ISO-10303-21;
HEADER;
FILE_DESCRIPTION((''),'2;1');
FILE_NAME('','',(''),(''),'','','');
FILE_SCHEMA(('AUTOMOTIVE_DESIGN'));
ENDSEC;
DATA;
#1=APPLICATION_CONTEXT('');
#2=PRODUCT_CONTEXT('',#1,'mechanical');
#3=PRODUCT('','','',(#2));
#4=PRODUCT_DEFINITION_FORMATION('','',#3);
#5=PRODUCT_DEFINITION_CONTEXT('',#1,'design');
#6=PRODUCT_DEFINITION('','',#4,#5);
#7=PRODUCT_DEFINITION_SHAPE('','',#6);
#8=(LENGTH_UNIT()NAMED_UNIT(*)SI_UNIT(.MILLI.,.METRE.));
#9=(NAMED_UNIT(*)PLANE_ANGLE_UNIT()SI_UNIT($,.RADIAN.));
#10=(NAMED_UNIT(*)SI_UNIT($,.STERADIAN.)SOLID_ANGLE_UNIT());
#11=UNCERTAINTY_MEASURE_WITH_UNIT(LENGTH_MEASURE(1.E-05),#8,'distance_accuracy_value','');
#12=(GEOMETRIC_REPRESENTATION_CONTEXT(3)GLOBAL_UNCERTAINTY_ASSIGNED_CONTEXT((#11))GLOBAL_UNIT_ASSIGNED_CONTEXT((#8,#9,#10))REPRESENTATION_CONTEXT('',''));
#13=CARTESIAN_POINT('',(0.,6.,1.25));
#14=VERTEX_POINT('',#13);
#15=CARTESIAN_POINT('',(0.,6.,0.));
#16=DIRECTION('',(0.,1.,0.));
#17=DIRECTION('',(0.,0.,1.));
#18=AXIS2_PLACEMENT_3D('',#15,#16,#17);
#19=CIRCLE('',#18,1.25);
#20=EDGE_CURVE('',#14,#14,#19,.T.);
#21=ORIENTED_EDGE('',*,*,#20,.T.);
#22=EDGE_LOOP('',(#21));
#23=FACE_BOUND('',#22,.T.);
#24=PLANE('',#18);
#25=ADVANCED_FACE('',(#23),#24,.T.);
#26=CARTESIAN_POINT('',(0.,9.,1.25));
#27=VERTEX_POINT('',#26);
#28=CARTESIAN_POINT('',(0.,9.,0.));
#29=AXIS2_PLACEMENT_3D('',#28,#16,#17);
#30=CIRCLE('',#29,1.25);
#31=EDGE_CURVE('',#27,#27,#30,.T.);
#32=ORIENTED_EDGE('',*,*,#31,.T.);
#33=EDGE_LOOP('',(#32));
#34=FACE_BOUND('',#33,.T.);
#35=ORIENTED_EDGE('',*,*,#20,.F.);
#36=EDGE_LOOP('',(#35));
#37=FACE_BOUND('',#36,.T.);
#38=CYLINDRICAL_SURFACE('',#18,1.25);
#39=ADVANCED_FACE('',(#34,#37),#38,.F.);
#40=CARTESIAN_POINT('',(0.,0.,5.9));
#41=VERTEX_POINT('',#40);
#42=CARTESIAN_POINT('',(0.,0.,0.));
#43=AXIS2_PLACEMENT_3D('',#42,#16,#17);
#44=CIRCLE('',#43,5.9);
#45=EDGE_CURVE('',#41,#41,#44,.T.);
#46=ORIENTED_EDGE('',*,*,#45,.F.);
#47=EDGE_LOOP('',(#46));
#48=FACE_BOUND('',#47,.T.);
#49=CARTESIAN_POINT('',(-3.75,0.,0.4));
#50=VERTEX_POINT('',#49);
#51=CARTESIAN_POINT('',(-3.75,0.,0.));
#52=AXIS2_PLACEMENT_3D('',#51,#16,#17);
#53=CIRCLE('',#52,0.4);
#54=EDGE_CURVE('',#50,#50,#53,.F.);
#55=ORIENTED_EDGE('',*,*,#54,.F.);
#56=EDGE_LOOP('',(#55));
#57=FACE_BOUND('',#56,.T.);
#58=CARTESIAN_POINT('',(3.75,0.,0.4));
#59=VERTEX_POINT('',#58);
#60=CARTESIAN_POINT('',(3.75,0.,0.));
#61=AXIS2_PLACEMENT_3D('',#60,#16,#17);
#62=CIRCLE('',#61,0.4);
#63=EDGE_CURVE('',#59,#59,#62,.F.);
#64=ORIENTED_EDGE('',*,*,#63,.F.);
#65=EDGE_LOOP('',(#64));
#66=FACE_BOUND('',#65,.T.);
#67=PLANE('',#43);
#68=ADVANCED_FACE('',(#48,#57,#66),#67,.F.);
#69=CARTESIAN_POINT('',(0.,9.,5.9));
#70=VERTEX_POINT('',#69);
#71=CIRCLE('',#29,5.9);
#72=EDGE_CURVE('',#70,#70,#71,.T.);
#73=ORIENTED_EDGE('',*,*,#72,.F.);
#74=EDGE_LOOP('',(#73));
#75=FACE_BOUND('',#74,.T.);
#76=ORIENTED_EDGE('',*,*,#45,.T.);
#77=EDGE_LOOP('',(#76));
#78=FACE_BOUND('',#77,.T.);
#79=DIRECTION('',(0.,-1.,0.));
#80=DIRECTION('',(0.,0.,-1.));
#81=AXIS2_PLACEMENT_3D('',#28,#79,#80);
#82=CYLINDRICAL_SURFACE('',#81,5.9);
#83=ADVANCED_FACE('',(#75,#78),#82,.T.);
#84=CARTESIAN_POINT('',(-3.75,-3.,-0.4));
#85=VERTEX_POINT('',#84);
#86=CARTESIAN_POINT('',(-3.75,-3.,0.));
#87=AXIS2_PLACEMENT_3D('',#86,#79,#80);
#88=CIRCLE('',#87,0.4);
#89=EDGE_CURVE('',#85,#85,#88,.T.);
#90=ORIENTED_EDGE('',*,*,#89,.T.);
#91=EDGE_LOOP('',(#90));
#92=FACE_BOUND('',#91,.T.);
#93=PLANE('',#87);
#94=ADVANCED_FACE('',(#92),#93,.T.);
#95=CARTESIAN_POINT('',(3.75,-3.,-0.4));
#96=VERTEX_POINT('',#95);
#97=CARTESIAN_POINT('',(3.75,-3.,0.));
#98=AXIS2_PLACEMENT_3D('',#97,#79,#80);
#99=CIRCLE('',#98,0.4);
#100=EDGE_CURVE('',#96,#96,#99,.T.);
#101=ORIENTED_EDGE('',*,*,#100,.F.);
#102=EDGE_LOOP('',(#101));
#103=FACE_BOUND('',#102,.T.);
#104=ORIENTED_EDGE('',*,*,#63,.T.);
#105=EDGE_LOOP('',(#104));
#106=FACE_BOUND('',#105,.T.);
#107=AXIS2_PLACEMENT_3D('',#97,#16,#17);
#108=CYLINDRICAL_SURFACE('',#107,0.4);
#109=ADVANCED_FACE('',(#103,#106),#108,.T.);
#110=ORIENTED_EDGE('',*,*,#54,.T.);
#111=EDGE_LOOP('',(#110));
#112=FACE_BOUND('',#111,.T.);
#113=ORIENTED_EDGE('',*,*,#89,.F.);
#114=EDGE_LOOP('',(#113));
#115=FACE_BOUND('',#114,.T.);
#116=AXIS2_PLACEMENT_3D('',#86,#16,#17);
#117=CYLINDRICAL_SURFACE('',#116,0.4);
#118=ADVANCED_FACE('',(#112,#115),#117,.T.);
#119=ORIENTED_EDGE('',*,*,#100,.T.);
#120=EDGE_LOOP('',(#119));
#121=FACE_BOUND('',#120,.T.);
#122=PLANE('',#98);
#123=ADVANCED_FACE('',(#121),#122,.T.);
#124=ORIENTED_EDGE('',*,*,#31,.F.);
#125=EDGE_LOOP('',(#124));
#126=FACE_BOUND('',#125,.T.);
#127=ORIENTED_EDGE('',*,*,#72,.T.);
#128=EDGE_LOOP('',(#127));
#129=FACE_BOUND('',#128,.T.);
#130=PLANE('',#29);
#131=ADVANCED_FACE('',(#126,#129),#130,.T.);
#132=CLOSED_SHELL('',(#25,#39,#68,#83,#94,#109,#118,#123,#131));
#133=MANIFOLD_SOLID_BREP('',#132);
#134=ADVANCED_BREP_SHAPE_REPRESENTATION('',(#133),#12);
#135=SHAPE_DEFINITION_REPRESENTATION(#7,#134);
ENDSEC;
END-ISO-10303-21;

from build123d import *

# Parameters (mm, degrees)
ESQUISSE1_R             = 5.9
BOSS_EXTRU_1_DEPTH      = 9
ESQUISSE2_R             = 1.25
ENL_V_MAT_EXTRU_1_DEPTH = 3
ESQUISSE3_R             = 0.4
BOSS_EXTRU_2_DEPTH      = 3


with BuildPart() as part:
    # Esquisse1 → Boss.-Extru.1 (new body)
    with BuildSketch(Plane(origin=(0, 0, 0), x_dir=(1, 0, 0), z_dir=(0, 1, 0))):
        Circle(ESQUISSE1_R)
    extrude(amount=BOSS_EXTRU_1_DEPTH)

    # Esquisse2 → Enlèv. mat.-Extru.1 (cut)
    with BuildSketch(Plane(origin=(0, 9, 0), x_dir=(1, 0, 0), z_dir=(0, 1, 0))):
        Circle(ESQUISSE2_R)
    extrude(amount=-ENL_V_MAT_EXTRU_1_DEPTH, mode=Mode.SUBTRACT)

    # Esquisse3 → Boss.-Extru.2 (add)
    with BuildSketch(Plane.XZ):
        with Locations((3.75, 0)):
            Circle(ESQUISSE3_R)
        with Locations((-3.75, 0)):
            Circle(ESQUISSE3_R)
    extrude(amount=BOSS_EXTRU_2_DEPTH)


solid = part.part
